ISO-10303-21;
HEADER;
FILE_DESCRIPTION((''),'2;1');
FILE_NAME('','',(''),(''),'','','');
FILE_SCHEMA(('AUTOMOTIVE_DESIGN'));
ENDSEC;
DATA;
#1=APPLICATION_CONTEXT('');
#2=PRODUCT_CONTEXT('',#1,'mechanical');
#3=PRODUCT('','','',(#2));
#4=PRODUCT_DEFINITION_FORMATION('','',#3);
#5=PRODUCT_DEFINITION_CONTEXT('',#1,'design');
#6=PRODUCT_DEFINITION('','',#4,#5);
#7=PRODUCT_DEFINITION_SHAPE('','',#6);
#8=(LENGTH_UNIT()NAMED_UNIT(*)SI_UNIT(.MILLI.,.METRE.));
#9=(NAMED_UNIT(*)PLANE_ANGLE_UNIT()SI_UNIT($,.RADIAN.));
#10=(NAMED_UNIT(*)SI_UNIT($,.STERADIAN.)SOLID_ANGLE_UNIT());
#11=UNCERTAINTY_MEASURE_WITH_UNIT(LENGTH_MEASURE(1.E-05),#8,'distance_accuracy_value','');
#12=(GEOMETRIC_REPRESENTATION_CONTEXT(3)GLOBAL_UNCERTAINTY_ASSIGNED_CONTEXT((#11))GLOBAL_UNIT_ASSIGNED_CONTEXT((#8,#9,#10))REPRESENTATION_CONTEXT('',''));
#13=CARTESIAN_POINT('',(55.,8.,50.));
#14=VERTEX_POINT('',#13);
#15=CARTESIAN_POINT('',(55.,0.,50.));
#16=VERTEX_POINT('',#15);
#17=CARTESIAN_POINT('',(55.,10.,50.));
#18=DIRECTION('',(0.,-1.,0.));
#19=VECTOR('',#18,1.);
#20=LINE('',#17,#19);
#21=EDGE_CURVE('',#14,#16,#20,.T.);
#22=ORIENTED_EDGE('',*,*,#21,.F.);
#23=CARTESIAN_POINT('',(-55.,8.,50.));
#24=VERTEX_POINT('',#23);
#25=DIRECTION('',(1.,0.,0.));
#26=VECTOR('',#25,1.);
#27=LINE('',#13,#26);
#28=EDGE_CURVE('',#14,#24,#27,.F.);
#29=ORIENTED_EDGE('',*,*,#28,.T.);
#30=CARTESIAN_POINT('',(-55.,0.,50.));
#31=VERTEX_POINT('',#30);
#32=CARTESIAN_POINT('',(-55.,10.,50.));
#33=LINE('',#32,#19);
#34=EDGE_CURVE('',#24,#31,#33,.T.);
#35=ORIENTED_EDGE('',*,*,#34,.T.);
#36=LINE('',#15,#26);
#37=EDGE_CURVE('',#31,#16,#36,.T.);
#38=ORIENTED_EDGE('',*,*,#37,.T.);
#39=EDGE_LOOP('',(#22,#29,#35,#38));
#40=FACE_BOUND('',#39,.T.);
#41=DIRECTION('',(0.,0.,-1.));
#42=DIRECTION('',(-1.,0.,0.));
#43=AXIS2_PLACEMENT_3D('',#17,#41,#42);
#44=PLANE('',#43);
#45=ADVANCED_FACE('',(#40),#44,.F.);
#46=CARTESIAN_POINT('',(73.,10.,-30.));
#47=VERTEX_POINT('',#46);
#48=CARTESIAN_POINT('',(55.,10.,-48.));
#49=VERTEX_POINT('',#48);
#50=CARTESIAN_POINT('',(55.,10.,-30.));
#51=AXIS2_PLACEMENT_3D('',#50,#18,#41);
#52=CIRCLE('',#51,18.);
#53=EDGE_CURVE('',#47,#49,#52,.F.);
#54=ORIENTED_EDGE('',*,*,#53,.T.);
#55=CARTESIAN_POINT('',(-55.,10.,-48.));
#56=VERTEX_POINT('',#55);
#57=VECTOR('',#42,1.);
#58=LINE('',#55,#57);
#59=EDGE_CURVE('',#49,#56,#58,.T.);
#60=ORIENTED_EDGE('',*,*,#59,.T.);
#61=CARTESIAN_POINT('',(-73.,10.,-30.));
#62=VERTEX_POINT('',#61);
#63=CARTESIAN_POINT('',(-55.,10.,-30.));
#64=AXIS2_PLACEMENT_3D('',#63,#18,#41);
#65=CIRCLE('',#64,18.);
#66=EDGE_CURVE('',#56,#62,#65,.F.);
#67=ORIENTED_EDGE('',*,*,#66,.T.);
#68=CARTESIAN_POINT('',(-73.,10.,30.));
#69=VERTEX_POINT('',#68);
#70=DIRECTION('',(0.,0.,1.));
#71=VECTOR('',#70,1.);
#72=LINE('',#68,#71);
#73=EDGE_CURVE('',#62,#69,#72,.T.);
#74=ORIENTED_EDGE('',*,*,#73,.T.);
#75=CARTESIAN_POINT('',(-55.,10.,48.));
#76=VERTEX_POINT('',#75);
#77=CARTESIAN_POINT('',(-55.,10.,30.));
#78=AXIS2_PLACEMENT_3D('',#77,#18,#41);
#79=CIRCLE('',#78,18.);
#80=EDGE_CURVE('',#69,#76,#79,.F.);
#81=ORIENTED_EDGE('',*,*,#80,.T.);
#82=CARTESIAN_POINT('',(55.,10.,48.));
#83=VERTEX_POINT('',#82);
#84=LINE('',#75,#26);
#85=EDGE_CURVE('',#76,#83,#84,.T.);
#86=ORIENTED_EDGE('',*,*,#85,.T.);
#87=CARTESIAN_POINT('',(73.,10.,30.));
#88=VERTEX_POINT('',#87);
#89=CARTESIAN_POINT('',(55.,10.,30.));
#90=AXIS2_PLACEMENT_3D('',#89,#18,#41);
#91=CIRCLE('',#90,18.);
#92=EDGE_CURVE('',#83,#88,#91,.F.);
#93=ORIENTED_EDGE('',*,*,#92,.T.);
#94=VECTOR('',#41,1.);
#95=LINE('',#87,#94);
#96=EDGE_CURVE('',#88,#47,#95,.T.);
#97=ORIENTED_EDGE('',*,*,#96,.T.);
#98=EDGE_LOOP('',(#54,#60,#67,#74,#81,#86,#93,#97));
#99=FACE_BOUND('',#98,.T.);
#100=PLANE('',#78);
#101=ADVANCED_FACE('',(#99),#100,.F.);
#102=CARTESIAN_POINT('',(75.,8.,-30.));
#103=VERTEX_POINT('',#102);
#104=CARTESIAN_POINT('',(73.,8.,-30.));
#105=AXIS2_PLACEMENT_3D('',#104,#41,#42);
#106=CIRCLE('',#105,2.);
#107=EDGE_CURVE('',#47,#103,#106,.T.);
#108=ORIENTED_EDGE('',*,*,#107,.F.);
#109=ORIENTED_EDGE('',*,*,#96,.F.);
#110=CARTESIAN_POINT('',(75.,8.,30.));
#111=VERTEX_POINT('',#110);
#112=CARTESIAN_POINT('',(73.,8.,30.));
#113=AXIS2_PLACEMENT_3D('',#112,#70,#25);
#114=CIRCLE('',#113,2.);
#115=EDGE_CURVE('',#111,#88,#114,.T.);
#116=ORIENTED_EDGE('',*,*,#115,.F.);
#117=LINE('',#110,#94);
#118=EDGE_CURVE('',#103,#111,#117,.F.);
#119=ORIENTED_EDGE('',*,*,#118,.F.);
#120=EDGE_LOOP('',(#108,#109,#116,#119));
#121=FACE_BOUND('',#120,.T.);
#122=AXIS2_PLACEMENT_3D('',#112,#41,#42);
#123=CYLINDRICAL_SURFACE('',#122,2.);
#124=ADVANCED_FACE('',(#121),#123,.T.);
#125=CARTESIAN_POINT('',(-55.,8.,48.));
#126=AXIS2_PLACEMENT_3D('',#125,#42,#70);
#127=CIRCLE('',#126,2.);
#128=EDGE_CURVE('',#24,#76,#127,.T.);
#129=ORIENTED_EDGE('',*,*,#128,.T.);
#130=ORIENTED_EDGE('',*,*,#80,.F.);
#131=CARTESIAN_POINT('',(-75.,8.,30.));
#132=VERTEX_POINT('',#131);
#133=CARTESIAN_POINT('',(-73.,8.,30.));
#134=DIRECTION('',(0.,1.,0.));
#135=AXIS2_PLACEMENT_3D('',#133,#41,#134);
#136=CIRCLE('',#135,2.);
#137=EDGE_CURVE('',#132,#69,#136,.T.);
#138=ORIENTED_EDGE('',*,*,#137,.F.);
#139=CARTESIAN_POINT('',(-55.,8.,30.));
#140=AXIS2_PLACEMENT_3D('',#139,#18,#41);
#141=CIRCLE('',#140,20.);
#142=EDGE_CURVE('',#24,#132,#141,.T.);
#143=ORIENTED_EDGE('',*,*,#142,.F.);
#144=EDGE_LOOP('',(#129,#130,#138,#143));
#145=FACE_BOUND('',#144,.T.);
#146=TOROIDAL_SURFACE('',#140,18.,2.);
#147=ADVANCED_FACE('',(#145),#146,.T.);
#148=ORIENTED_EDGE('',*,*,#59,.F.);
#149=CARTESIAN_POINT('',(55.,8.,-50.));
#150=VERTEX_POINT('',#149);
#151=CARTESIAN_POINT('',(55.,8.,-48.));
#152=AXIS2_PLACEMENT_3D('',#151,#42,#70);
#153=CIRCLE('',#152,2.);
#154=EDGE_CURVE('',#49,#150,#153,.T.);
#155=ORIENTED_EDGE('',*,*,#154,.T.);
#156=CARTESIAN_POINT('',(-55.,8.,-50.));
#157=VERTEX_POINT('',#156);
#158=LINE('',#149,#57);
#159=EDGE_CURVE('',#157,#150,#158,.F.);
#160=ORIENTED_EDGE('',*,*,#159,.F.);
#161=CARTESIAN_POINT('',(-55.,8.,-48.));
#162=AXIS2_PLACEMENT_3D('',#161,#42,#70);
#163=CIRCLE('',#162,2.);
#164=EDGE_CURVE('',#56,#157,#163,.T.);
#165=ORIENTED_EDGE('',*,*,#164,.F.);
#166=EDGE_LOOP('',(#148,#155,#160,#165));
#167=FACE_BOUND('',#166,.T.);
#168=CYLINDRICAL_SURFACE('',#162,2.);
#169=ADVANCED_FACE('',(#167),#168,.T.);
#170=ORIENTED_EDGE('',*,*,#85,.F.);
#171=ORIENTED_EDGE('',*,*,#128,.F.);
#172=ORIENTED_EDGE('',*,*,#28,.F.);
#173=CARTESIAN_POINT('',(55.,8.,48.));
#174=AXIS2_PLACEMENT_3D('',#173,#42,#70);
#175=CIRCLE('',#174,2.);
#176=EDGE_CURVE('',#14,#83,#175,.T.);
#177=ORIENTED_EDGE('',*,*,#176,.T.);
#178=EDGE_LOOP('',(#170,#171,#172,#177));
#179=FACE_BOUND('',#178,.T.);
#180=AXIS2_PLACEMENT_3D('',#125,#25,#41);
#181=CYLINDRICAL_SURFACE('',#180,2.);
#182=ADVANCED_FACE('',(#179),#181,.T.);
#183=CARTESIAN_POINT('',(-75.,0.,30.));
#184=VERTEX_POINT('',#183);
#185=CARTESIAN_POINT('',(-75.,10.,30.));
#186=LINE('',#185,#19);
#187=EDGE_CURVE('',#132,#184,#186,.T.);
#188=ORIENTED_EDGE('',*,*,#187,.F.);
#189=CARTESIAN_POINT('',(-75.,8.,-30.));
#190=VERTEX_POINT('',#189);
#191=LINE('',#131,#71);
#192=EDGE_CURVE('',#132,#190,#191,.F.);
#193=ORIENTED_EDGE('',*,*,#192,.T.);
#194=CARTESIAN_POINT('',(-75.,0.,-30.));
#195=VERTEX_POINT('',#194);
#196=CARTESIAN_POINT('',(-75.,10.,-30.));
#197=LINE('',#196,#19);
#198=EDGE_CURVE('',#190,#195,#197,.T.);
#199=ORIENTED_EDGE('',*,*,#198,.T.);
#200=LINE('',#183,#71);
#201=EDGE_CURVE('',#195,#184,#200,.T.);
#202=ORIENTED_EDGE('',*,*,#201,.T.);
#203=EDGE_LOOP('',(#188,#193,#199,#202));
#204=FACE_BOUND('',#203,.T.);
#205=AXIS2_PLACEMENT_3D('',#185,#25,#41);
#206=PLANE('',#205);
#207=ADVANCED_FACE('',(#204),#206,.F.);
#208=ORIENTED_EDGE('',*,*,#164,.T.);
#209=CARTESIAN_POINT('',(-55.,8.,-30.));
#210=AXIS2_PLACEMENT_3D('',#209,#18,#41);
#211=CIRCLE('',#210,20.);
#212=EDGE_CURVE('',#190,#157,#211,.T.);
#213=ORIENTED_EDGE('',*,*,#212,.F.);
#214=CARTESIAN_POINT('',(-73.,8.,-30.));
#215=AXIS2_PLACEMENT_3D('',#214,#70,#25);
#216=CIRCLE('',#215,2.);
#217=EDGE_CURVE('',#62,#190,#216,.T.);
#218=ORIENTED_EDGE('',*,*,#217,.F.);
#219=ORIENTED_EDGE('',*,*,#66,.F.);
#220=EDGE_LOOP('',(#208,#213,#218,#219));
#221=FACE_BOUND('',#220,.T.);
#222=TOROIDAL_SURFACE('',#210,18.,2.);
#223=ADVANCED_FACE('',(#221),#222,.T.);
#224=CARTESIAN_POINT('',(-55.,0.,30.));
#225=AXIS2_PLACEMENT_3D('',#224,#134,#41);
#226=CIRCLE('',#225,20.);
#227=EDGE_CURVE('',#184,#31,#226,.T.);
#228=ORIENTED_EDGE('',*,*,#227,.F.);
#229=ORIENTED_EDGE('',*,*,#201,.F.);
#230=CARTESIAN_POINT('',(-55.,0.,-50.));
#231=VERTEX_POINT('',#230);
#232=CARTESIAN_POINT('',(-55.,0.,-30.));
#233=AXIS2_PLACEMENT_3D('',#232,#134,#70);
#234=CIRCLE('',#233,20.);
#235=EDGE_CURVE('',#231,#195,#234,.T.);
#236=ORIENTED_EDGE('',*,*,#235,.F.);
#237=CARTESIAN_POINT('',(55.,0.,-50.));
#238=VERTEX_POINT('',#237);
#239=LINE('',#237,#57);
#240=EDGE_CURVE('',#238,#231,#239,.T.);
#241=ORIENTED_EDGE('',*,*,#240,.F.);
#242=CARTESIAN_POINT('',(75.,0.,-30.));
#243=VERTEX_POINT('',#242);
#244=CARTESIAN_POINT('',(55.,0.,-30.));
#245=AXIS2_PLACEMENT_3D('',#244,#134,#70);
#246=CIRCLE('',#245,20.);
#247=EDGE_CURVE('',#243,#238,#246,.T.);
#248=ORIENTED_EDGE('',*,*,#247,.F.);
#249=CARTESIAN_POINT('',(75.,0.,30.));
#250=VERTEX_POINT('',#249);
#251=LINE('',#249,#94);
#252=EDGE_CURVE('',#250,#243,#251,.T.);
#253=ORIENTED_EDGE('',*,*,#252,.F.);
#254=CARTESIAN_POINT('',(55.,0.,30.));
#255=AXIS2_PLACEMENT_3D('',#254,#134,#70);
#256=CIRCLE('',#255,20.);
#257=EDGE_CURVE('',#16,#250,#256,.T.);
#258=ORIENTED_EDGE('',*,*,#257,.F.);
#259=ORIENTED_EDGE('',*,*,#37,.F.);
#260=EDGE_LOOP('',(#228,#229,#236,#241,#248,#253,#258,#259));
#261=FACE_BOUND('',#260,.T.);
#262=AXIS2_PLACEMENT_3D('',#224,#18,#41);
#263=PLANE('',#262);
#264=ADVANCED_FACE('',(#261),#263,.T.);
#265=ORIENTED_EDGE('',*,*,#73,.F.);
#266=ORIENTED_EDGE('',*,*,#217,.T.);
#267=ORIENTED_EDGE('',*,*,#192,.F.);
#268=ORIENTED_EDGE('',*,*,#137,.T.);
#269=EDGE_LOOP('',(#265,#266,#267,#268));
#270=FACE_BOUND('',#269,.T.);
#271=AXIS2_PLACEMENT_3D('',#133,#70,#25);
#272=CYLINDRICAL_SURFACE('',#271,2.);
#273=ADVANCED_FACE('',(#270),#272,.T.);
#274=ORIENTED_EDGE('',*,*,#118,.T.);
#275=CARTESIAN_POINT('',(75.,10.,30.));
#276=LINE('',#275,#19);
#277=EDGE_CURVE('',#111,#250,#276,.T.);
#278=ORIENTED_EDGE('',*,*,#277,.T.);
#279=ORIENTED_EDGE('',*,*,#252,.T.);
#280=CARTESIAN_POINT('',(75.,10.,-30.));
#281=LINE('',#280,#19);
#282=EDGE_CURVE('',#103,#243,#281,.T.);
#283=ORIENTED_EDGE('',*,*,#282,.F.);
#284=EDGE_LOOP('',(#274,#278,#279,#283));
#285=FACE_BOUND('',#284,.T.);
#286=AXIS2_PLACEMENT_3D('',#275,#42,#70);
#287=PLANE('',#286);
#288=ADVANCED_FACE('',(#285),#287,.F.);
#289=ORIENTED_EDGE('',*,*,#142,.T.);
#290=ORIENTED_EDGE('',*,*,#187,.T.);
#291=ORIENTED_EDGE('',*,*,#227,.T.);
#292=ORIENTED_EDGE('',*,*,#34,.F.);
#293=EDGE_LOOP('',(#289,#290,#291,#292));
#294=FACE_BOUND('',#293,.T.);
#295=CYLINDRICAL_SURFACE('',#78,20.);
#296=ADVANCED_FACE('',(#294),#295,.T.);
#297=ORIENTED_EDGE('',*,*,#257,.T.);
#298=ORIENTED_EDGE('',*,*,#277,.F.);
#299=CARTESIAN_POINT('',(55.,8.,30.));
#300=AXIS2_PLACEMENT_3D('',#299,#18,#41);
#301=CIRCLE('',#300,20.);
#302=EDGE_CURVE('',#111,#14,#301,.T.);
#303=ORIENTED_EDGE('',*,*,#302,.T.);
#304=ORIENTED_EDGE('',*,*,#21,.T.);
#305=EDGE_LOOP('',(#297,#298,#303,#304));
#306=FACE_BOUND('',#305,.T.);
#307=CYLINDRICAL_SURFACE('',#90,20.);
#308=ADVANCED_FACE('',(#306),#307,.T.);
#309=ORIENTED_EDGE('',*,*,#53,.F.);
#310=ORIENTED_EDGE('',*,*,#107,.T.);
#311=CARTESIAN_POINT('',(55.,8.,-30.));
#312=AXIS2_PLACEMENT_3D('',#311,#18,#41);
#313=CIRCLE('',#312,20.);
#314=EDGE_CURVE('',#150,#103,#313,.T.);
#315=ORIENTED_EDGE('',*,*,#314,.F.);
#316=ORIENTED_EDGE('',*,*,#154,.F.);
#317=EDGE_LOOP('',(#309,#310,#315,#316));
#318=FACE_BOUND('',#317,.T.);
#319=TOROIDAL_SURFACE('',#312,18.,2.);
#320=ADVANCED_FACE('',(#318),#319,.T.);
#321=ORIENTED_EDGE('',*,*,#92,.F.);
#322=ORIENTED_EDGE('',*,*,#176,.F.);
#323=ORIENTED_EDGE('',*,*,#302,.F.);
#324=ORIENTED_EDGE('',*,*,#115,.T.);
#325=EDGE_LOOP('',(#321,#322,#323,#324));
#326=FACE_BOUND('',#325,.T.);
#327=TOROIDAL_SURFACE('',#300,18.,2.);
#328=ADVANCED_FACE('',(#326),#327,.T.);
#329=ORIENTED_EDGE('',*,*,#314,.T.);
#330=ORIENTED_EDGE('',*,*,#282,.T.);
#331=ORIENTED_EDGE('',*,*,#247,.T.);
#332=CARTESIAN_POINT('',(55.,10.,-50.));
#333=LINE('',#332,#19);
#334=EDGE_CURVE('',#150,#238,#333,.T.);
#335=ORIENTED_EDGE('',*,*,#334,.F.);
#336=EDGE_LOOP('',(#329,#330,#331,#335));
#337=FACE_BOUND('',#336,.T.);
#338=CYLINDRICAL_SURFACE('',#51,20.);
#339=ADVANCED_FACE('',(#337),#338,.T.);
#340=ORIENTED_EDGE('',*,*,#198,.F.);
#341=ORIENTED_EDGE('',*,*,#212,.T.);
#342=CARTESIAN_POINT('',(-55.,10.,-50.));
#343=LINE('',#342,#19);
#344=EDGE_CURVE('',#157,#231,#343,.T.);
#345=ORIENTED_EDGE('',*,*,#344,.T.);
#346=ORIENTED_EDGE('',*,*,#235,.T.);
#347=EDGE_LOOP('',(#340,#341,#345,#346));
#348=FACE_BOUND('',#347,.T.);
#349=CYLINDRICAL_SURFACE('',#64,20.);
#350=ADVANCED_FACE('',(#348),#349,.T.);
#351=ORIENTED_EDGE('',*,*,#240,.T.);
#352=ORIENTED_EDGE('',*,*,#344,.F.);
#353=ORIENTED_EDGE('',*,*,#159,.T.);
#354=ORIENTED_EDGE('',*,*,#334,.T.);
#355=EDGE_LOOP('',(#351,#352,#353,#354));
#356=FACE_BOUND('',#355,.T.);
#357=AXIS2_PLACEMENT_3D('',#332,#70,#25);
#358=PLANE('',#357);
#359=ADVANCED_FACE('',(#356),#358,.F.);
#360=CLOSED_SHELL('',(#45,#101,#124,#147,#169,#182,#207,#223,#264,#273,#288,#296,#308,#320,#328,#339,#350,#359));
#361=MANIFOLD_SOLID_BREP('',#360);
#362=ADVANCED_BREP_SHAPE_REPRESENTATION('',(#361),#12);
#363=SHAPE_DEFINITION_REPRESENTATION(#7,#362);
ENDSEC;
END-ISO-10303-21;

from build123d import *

# Parameters (mm, degrees)
BOSS_EXTRUDE1_DEPTH = 10
FILLET1_R           = 2


with BuildPart() as part:
    # Sketch2 → Boss-Extrude1 (new body)
    with BuildSketch(Plane(origin=(0, 0, 0), x_dir=(1, 0, 0), z_dir=(0, 1, 0))):
        with BuildLine():
            Line((55, -50), (-55, -50))
            ThreePointArc((-55, -50), (-69.142135624, -44.142135624), (-75, -30))
            Line((-75, -30), (-75, 30))
            ThreePointArc((-75, 30), (-69.142135624, 44.142135624), (-55, 50))
            Line((-55, 50), (55, 50))
            ThreePointArc((55, 50), (69.142135624, 44.142135624), (75, 30))
            Line((75, 30), (75, -30))
            ThreePointArc((75, -30), (69.142135624, -44.142135624), (55, -50))
        make_face()
    extrude(amount=BOSS_EXTRUDE1_DEPTH)

    # Fillet1
    fillet1_edges = [part.edges().sort_by_distance(p)[0] for p in [
        (69.142135624, 10, 44.142135624),
        (75, 10, 0),
        (69.142135624, 10, -44.142135624),
        (0, 10, -50),
        (-69.142135624, 10, -44.142135624),
        (-75, 10, 0),
        (-69.142135624, 10, 44.142135624),
        (0, 10, 50),
    ]]
    fillet(fillet1_edges, radius=FILLET1_R)


solid = part.part
